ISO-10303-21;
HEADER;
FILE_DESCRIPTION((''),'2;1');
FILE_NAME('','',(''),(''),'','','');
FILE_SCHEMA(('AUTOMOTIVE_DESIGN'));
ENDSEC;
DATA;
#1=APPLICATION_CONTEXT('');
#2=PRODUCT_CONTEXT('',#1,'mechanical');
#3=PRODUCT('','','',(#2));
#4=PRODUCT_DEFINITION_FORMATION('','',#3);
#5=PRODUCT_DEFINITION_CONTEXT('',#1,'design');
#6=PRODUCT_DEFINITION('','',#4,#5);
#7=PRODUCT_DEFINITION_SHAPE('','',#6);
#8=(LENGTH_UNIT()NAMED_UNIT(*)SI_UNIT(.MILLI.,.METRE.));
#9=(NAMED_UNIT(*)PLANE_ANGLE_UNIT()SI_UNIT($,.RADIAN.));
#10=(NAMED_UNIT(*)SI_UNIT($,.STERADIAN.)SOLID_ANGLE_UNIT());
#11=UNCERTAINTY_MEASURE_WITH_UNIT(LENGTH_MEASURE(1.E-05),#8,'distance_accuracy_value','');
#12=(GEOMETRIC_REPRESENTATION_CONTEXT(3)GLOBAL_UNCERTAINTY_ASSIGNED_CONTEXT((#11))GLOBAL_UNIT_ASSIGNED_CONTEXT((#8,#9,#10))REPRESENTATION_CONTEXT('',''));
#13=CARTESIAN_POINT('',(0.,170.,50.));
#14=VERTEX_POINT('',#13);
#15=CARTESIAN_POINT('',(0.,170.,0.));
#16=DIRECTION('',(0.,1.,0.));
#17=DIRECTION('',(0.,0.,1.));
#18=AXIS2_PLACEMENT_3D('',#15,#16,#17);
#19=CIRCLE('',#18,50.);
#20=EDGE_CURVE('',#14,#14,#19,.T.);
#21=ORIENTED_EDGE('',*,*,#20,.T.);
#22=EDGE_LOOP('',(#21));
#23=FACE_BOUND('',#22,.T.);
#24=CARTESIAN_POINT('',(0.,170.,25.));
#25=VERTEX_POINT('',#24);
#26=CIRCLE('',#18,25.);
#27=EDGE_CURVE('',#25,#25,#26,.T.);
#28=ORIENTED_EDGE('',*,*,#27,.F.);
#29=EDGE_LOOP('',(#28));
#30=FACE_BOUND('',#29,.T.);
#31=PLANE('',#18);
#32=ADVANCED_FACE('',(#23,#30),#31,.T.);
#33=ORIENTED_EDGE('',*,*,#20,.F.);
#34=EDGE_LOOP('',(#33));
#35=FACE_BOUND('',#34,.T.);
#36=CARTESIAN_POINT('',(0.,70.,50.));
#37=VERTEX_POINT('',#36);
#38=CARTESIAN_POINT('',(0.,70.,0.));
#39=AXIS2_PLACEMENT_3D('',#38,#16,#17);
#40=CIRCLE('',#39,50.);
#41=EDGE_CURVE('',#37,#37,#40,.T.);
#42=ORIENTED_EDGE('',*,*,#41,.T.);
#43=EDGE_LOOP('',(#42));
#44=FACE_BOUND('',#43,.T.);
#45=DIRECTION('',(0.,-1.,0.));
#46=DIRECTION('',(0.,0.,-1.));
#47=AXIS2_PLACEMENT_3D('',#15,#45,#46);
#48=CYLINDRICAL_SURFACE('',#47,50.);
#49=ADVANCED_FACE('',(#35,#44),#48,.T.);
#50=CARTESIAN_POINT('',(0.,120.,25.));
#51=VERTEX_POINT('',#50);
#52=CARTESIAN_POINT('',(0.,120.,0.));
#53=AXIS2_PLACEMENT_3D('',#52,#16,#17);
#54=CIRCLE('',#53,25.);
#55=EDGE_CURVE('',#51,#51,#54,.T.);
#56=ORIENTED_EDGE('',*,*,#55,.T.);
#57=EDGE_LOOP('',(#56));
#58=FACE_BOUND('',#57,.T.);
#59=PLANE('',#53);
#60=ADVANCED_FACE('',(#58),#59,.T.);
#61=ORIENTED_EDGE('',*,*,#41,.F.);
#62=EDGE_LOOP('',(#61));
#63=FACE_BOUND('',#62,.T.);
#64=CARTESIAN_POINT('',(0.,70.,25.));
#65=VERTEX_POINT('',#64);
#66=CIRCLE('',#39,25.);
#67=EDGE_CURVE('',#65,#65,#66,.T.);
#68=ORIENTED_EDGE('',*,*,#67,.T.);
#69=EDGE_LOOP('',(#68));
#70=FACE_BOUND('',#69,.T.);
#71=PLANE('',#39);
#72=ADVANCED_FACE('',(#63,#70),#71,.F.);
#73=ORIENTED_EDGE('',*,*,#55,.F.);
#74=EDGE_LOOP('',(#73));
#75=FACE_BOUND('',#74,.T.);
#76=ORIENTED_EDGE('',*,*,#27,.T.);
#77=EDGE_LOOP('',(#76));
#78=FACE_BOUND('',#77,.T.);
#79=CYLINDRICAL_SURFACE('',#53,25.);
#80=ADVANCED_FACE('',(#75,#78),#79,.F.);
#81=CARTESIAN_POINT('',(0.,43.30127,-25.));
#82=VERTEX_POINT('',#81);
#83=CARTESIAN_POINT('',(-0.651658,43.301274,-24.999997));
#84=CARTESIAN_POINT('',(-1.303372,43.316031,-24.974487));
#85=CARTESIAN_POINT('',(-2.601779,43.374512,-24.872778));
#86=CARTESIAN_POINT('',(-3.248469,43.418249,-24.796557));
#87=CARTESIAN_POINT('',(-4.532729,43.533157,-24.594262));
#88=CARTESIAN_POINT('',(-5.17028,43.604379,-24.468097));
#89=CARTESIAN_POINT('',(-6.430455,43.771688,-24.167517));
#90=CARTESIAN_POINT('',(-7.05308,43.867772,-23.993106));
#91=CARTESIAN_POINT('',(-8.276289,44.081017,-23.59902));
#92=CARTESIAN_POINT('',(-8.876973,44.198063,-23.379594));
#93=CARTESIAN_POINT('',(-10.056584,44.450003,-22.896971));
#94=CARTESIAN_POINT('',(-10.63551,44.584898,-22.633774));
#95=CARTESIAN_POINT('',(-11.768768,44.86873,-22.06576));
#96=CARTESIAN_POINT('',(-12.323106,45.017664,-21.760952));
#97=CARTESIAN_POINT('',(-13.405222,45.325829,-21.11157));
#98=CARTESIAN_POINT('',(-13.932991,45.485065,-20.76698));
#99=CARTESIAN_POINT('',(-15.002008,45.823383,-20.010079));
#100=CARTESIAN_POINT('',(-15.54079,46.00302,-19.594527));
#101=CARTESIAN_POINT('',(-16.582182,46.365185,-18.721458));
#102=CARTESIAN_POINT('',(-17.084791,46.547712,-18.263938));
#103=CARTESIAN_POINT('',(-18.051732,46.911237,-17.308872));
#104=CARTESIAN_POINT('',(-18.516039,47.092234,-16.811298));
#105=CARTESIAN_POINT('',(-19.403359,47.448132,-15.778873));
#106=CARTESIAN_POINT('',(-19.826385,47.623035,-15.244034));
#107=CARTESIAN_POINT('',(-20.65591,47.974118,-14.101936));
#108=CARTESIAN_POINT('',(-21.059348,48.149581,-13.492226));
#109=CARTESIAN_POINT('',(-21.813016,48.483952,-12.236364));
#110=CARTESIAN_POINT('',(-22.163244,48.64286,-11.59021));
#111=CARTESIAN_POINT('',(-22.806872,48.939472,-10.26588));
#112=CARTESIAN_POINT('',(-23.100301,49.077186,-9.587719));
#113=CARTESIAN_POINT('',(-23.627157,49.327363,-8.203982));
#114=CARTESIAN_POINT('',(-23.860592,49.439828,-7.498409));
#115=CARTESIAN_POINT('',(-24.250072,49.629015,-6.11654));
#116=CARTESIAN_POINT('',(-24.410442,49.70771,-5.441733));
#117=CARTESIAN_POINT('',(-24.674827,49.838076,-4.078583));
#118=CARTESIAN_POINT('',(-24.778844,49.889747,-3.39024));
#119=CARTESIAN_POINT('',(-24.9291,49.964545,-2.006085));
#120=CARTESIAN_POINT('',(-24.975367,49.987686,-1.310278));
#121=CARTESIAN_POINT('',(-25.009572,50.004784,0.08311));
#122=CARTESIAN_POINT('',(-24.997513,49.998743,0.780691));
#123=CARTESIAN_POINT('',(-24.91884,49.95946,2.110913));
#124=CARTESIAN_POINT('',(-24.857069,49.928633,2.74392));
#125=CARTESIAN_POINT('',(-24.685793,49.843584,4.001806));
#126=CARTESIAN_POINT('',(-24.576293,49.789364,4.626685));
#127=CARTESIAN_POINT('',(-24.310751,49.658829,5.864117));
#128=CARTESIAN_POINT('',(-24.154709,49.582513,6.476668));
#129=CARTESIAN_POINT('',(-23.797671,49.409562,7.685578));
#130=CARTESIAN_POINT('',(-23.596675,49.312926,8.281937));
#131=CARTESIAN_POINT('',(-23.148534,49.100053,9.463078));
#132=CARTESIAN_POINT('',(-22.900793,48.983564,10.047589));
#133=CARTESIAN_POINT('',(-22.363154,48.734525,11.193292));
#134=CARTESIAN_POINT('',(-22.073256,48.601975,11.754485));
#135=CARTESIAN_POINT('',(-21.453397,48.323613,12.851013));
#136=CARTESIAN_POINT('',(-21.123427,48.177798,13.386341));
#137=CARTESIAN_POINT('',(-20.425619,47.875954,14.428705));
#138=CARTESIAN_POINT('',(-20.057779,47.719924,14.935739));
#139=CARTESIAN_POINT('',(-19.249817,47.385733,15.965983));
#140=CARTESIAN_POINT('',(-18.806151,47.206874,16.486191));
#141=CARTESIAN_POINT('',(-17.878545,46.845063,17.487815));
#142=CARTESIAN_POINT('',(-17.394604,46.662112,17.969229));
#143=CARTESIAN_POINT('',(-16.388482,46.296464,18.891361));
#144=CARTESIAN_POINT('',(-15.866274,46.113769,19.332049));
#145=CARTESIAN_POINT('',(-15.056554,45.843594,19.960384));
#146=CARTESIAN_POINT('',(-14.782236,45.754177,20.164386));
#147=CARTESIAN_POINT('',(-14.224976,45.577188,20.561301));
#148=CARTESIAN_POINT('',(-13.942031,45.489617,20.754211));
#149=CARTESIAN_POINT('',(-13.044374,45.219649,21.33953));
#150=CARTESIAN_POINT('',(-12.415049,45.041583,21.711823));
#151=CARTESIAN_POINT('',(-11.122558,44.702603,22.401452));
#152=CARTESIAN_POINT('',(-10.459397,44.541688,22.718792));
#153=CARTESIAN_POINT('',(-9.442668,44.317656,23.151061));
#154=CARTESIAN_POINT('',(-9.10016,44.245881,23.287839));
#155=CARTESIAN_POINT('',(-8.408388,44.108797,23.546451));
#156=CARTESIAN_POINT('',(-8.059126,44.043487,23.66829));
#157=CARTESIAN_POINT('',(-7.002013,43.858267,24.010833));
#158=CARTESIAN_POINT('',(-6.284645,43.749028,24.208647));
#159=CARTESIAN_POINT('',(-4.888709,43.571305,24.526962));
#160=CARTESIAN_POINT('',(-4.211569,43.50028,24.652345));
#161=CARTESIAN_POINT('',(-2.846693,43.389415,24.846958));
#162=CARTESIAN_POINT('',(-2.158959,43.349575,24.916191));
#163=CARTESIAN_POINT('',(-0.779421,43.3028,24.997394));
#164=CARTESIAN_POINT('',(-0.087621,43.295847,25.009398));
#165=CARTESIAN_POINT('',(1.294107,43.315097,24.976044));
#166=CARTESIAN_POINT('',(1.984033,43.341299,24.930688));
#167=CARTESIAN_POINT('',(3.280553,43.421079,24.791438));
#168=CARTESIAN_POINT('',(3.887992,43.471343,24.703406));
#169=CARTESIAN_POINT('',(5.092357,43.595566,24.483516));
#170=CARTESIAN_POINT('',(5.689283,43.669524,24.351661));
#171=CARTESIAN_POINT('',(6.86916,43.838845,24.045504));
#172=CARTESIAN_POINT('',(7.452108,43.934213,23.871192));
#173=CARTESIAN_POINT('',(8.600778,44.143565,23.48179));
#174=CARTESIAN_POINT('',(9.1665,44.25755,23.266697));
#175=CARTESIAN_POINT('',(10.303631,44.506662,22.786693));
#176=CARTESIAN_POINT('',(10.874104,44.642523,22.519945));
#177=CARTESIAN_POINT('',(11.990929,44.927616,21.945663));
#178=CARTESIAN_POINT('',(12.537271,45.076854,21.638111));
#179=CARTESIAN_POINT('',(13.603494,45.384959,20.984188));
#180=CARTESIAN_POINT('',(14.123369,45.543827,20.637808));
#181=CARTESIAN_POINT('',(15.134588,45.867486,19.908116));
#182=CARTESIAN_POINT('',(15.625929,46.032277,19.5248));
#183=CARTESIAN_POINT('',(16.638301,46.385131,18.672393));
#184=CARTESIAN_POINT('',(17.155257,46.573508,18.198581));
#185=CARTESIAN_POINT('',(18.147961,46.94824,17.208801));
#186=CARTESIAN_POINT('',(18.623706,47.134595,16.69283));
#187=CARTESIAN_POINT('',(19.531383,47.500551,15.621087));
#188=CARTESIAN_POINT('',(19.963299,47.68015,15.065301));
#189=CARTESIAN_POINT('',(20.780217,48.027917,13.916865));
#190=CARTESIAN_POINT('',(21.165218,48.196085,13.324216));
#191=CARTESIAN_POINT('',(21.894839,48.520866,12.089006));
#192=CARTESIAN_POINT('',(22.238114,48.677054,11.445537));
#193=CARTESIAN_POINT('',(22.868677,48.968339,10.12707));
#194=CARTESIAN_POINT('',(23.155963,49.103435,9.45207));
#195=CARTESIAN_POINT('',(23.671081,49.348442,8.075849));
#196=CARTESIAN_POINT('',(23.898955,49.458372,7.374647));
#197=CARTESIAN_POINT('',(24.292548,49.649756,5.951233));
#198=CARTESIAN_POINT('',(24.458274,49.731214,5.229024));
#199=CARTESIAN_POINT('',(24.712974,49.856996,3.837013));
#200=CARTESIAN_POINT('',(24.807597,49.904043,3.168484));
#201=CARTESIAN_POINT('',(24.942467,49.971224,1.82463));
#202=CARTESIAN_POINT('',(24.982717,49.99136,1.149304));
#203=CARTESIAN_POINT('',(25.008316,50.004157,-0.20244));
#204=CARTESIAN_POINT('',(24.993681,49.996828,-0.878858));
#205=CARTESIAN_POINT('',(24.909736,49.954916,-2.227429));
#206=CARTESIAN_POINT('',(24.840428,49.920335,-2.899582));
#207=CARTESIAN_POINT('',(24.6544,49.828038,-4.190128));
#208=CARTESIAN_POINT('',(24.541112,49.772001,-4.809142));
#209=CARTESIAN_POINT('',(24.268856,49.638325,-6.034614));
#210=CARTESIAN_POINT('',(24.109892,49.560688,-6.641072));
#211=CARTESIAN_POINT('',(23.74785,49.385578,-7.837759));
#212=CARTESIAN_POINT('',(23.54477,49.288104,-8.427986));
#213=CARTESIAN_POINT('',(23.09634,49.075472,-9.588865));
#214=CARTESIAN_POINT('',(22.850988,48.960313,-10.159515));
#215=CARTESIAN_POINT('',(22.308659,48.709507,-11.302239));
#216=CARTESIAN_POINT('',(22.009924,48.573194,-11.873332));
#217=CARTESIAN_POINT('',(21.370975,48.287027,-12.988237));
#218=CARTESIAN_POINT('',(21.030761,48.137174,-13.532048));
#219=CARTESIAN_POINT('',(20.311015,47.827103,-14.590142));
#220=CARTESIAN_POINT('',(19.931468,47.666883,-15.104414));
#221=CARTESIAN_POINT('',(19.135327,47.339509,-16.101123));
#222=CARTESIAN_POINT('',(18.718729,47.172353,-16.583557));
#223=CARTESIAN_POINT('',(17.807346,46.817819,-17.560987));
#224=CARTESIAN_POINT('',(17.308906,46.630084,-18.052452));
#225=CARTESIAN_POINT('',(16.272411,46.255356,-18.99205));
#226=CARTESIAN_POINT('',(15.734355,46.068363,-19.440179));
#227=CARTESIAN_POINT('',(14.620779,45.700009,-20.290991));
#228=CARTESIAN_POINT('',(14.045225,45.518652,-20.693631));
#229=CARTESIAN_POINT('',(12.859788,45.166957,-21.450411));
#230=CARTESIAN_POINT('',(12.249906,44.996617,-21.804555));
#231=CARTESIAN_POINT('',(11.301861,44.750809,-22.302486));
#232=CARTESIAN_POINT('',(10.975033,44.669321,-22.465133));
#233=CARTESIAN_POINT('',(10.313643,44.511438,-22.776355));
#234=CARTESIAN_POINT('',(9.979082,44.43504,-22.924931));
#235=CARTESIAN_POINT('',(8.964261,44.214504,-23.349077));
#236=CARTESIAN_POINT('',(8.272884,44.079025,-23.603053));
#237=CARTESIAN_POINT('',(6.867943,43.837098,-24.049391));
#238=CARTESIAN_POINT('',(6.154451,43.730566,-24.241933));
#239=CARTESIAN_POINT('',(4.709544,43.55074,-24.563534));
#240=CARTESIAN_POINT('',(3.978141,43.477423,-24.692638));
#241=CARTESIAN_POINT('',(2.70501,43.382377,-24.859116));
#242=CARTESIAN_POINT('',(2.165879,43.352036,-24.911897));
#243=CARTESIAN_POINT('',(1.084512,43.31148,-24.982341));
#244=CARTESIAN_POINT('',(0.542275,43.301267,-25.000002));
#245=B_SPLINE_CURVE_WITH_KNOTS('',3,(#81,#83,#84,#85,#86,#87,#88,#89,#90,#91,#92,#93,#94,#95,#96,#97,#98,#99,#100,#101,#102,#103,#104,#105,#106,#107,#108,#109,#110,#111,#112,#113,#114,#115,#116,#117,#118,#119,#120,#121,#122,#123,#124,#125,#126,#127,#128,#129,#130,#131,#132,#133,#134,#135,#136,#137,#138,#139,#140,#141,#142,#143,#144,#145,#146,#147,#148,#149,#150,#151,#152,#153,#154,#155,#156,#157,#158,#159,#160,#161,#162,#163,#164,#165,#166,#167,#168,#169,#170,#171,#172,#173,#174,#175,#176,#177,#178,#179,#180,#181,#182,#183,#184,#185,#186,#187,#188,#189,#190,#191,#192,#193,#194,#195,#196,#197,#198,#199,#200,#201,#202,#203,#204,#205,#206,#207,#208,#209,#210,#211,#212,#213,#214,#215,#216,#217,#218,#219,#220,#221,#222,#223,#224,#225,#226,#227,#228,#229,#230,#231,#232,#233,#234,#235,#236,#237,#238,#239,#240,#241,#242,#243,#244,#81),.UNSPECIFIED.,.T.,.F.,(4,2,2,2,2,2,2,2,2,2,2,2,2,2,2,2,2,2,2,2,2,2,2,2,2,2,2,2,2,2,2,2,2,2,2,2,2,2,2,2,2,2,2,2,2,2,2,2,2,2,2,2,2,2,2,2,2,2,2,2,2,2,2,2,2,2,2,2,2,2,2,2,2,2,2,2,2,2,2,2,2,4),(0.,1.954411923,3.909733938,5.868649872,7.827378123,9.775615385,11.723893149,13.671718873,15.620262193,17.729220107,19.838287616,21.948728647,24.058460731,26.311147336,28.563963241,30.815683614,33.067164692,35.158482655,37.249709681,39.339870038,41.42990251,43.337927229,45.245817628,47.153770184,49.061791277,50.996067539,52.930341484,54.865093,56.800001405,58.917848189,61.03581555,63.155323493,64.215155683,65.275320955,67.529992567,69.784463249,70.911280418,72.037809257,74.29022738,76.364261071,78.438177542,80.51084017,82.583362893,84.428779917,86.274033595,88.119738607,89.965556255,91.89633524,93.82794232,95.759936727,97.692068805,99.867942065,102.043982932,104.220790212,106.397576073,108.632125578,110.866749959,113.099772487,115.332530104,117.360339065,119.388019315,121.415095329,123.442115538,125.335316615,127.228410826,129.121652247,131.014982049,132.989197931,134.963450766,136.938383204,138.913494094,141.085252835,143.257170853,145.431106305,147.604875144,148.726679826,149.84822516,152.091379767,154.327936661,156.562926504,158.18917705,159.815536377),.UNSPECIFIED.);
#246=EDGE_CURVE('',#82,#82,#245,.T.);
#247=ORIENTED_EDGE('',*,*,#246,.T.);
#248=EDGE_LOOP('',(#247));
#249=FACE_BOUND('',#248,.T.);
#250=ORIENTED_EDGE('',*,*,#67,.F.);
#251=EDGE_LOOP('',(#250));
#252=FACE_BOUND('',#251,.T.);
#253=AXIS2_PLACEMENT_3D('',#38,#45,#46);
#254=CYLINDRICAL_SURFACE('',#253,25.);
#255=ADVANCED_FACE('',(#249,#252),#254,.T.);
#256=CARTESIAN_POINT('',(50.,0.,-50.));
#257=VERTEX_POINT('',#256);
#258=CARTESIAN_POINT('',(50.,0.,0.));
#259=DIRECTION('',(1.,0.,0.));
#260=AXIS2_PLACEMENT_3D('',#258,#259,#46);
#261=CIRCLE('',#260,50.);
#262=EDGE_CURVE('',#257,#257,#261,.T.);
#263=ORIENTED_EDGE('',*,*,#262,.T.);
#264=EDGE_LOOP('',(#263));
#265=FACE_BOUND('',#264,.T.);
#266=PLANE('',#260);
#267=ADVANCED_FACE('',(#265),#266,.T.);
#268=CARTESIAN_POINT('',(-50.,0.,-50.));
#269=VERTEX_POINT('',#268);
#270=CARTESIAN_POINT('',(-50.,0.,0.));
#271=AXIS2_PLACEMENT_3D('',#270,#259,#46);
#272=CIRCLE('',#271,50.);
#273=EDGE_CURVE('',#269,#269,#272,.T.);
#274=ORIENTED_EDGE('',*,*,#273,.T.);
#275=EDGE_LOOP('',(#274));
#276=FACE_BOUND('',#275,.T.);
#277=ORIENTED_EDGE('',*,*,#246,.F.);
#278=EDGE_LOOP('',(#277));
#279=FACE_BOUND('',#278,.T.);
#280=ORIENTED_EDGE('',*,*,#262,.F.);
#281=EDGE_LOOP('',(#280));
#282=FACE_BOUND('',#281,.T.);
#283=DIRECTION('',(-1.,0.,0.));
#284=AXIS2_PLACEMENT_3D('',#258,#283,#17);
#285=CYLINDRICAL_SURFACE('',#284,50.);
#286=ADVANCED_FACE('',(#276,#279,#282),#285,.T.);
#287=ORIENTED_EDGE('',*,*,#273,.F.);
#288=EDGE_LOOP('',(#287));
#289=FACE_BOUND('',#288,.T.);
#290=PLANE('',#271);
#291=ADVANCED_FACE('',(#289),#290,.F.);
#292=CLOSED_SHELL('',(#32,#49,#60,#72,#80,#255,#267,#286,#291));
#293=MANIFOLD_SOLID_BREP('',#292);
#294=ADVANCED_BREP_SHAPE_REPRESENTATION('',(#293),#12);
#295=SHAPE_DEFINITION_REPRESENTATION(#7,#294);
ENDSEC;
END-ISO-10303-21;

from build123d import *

# Parameters (mm, degrees)
CROQUIS1_R              = 50
SALIENTE_EXTRUIR1_DEPTH = 50
CROQUIS2_R              = 25
SALIENTE_EXTRUIR2_DEPTH = 70
CROQUIS4_R              = 50
SALIENTE_EXTRUIR3_DEPTH = 100
CORTAR_EXTRUIR1_START   = -50
CROQUIS5_R              = 25
CORTAR_EXTRUIR1_DEPTH   = 50


with BuildPart() as part:
    # Croquis1 → Saliente-Extruir1 (new, symmetric)
    with BuildSketch(Plane(origin=(0, 0, 0), x_dir=(0, 0, -1), z_dir=(1, 0, 0))):
        Circle(CROQUIS1_R)
    extrude(amount=SALIENTE_EXTRUIR1_DEPTH, both=True)

    # Croquis2 → Saliente-Extruir2 (add)
    with BuildSketch(Plane(origin=(0, 0, 0), x_dir=(1, 0, 0), z_dir=(0, 1, 0))):
        with Locations(Location((0, 0, 0), (0, 0, 90))):
            Circle(CROQUIS2_R)
    extrude(amount=SALIENTE_EXTRUIR2_DEPTH)

    # Croquis4 → Saliente-Extruir3 (add)
    with BuildSketch(Plane(origin=(0, 70, 0), x_dir=(1, 0, 0), z_dir=(0, 1, 0))):
        with Locations(Location((0, 0, 0), (0, 0, 270))):
            Circle(CROQUIS4_R)
    extrude(amount=SALIENTE_EXTRUIR3_DEPTH)

    # Croquis5 → Cortar-Extruir1 (cut)
    with BuildSketch(Plane(origin=(0, 170, 0), x_dir=(1, 0, 0), z_dir=(0, 1, 0)).offset(CORTAR_EXTRUIR1_START)):
        with Locations(Location((0, 0, 0), (0, 0, 90))):
            Circle(CROQUIS5_R)
    extrude(amount=CORTAR_EXTRUIR1_DEPTH, mode=Mode.SUBTRACT)


solid = part.part
